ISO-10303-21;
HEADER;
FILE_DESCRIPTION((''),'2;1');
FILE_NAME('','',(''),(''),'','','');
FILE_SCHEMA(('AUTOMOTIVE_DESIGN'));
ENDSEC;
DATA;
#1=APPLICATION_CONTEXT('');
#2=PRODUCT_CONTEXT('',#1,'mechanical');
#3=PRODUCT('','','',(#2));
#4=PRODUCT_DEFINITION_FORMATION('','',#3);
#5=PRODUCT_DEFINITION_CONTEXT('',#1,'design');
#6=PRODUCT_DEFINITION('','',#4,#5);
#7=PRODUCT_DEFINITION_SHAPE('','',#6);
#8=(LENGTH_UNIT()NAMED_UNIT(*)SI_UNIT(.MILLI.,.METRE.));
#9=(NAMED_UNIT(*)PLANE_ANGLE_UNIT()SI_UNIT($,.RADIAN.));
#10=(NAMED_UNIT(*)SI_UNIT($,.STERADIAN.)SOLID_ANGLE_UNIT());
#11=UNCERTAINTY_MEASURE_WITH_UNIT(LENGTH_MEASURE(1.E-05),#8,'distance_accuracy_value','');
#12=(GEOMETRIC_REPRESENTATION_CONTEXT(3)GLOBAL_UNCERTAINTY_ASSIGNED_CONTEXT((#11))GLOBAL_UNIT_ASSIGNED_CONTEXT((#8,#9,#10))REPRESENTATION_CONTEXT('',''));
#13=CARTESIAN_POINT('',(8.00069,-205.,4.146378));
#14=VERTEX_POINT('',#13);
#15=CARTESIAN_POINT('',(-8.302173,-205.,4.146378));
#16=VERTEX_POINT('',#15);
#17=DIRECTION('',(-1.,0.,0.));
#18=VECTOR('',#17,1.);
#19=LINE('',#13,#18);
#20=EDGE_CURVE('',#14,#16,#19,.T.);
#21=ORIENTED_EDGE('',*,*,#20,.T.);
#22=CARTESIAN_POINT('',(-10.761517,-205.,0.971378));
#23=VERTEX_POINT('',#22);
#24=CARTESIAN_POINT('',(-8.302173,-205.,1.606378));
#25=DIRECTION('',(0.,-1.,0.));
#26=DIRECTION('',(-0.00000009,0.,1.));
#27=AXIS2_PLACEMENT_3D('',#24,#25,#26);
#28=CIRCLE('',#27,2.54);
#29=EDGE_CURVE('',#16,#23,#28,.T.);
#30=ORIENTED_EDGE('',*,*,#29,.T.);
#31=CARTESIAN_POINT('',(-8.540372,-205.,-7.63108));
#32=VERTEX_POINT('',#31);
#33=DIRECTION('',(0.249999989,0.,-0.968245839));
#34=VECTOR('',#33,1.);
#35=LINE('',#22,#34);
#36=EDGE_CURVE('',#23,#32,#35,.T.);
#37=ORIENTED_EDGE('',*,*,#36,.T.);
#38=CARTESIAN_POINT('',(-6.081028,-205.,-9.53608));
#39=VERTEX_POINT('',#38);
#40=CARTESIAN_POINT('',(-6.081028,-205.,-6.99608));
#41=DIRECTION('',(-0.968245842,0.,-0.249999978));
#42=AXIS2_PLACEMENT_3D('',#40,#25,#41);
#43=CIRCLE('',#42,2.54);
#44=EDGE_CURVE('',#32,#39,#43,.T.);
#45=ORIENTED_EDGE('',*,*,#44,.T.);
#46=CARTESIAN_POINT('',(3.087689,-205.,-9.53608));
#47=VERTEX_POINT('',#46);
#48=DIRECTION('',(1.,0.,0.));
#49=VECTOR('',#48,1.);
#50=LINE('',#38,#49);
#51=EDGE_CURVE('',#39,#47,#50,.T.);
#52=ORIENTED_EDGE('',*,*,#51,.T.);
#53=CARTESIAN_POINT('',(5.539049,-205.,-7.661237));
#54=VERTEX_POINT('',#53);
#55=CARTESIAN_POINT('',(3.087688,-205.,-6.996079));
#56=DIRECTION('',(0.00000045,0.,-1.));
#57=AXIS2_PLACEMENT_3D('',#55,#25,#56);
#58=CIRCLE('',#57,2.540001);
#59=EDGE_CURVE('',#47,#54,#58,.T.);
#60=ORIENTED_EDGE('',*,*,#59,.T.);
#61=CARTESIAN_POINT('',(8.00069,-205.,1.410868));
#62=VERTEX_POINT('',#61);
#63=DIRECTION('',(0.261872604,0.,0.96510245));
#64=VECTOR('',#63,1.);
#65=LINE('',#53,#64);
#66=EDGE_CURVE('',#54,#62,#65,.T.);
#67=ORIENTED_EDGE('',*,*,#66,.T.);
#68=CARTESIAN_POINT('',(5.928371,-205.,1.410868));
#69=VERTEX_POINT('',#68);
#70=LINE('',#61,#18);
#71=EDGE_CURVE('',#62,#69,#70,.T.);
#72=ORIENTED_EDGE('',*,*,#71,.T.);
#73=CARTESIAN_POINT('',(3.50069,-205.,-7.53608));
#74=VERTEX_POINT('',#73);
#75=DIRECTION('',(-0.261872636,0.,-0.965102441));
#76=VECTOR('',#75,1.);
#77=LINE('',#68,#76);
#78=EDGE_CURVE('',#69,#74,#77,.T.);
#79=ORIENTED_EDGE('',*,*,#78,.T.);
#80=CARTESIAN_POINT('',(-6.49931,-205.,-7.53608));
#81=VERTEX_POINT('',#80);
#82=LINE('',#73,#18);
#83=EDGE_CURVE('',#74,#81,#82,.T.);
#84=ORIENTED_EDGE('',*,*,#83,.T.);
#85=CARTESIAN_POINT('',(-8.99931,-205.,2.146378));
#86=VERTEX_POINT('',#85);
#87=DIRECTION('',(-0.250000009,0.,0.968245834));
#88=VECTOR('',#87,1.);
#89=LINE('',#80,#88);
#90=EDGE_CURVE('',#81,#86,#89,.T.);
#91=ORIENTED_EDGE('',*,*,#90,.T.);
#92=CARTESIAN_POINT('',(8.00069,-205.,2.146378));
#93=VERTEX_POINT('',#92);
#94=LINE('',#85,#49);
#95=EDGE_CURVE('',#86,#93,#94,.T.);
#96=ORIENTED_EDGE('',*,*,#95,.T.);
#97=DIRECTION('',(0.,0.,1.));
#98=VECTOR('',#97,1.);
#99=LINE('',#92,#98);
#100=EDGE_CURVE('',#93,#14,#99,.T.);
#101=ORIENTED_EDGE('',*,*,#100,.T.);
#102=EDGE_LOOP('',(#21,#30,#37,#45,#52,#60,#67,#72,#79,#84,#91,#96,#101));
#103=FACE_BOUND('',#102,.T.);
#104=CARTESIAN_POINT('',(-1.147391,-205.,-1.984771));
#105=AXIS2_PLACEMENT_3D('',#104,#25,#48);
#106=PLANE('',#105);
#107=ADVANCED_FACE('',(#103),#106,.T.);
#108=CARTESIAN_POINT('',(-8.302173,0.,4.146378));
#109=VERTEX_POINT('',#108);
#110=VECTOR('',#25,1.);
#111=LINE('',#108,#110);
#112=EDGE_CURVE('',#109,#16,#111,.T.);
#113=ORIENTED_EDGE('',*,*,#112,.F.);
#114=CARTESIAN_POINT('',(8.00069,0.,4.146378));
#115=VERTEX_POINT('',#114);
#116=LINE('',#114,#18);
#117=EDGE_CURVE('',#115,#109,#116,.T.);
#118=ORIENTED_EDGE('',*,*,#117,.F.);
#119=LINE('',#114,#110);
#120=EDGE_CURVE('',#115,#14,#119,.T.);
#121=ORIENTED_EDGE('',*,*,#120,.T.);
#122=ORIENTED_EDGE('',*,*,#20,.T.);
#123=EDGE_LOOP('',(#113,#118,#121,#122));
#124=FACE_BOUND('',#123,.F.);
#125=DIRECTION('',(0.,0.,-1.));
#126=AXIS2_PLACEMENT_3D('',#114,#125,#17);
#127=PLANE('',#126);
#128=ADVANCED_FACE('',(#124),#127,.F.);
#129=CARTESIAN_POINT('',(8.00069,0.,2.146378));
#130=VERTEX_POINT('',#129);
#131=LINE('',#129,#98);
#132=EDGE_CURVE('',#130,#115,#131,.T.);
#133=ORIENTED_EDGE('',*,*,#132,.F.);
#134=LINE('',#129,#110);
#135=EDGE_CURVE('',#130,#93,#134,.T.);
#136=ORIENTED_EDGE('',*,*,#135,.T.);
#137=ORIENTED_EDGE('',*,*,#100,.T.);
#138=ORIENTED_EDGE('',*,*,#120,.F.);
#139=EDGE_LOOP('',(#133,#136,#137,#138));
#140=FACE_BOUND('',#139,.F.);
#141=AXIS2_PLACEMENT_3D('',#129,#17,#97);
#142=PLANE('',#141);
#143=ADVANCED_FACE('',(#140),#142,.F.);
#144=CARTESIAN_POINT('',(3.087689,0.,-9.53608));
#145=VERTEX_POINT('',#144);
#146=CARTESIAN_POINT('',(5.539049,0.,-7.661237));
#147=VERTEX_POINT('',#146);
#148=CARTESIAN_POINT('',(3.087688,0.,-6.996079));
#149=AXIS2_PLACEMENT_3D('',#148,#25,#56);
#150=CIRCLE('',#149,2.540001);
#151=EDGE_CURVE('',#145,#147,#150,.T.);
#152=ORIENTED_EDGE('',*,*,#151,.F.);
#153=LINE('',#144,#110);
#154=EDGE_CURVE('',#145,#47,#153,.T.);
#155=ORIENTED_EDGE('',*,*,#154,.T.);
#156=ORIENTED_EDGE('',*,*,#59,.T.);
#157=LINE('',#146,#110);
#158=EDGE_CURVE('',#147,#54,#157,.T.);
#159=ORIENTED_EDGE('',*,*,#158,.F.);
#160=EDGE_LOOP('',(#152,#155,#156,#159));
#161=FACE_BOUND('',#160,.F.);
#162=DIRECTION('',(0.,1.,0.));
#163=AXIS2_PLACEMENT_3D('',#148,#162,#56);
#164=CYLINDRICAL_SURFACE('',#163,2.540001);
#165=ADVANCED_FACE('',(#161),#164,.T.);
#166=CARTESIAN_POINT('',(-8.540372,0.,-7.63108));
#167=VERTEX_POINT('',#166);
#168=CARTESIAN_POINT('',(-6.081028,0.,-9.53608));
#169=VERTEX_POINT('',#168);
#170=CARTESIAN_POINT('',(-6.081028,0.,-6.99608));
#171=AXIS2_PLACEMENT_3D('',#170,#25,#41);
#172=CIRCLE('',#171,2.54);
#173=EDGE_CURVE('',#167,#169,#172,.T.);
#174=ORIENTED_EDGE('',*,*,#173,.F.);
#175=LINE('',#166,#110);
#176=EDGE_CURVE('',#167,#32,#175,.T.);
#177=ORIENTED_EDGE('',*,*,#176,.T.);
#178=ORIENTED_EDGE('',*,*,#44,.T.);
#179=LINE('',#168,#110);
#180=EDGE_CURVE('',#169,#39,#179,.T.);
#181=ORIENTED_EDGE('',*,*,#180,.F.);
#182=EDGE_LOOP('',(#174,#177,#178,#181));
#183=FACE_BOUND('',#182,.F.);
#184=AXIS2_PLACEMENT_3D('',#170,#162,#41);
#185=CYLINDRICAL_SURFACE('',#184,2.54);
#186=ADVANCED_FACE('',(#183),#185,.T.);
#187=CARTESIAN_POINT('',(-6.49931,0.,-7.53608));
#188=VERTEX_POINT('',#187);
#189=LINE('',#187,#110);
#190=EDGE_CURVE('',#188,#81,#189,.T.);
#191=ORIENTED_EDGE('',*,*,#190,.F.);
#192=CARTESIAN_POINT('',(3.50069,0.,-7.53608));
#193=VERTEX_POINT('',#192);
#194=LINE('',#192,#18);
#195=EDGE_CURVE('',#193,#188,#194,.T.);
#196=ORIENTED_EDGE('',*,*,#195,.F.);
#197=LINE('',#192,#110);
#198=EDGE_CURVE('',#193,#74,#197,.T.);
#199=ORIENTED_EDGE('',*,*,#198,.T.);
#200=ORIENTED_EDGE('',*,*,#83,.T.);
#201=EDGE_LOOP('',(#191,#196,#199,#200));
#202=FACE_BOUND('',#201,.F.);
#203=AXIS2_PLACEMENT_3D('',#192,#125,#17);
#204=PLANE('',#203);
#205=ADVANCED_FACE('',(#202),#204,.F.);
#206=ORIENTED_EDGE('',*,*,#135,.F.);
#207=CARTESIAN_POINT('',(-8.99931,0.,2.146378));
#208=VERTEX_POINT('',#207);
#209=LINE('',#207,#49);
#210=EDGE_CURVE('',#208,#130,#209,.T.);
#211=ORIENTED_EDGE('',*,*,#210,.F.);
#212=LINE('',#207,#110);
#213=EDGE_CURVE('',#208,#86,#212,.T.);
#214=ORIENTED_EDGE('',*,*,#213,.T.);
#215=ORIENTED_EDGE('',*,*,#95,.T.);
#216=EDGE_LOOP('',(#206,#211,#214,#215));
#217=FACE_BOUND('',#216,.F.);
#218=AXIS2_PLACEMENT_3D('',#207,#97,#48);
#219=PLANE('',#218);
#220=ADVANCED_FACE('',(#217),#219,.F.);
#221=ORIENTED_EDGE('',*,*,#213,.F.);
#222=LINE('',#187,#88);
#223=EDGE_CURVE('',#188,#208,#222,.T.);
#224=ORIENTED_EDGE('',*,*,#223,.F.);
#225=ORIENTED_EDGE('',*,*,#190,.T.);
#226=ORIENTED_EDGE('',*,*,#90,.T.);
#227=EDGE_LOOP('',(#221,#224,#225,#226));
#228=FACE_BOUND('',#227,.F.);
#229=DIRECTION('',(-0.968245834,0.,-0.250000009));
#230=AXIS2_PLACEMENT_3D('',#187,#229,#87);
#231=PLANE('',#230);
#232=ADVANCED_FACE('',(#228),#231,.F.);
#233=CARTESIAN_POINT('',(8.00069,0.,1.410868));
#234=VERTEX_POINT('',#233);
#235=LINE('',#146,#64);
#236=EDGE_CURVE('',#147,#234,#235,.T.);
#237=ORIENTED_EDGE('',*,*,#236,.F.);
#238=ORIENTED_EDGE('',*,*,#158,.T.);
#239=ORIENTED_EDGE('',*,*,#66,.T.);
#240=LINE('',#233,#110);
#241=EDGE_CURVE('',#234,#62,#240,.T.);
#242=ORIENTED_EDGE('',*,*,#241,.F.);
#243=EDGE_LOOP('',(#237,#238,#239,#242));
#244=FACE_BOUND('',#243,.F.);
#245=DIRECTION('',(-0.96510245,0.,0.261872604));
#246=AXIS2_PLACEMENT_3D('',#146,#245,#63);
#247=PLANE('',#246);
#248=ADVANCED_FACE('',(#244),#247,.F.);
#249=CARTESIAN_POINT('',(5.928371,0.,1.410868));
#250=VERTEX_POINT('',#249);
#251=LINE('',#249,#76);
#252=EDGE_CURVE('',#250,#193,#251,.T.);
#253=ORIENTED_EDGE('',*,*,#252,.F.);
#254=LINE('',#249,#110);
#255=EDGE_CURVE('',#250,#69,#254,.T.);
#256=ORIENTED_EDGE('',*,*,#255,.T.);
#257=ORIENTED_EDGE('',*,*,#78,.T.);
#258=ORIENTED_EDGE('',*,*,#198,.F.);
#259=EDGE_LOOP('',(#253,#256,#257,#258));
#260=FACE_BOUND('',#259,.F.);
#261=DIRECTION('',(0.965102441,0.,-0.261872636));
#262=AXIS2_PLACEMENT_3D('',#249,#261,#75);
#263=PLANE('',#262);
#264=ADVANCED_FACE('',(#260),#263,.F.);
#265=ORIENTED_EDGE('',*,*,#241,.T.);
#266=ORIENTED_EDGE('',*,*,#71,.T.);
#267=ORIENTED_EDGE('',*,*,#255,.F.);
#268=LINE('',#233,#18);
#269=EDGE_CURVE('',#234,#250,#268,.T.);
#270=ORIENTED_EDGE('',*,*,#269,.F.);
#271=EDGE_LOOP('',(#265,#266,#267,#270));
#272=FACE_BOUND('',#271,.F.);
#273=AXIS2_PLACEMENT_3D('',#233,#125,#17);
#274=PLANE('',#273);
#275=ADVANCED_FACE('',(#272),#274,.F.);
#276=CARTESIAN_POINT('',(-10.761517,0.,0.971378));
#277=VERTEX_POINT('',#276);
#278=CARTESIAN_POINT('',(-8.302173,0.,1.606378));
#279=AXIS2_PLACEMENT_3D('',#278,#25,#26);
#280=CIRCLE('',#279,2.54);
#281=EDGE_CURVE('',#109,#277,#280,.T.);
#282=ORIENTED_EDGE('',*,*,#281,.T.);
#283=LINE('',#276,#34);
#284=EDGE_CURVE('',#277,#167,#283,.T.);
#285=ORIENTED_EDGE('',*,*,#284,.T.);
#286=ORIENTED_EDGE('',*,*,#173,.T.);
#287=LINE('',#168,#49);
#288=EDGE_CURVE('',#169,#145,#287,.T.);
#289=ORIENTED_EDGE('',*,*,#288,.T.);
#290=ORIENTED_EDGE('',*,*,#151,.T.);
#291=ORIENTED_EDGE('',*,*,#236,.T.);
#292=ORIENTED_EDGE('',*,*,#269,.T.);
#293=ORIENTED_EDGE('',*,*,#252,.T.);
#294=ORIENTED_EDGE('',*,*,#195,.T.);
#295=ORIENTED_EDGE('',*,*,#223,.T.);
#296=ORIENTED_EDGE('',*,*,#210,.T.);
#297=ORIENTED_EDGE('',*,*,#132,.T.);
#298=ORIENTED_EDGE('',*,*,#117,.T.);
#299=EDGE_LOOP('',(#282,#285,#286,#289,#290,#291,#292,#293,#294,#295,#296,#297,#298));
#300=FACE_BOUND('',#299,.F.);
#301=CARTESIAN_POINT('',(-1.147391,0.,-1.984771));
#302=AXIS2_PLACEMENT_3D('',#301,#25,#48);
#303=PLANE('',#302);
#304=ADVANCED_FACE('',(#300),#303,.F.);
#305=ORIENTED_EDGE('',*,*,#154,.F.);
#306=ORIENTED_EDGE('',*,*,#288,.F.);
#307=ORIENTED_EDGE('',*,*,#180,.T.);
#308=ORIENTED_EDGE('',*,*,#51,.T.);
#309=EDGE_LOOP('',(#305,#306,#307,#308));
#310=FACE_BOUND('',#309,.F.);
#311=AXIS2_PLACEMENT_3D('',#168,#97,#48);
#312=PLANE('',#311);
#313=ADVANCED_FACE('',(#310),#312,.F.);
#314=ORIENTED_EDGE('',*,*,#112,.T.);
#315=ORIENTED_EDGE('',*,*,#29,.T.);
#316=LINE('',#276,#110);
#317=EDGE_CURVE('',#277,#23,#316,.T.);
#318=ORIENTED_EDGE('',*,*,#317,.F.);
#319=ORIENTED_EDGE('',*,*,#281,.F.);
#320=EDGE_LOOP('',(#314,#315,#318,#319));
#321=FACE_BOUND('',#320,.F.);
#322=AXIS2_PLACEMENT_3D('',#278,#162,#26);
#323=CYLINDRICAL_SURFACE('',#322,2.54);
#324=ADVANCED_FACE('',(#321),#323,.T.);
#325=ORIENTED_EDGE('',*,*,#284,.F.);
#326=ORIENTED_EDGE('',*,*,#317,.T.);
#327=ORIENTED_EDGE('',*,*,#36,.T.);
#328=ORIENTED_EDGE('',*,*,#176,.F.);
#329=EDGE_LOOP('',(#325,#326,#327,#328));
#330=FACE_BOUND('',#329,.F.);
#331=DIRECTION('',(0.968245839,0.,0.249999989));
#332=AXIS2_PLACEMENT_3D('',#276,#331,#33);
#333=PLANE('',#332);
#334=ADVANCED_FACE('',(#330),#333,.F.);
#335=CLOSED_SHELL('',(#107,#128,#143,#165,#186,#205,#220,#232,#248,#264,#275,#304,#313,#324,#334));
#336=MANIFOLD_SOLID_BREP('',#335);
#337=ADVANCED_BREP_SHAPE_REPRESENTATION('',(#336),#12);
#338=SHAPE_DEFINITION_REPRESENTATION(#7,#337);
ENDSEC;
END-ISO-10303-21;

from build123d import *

# Parameters (mm, degrees)
F1_DEPTH = 205


with BuildPart() as f1:
    # F0 (on Front) → F1 (new body)
    with BuildSketch(Plane.XZ):
        with BuildLine():
            Line((3.50069, -7.53608), (-6.49931, -7.53608))
            Line((-6.49931, -7.53608), (-8.99931, 2.146378))
            Line((-8.99931, 2.146378), (8.00069, 2.146378))
            Line((8.00069, 2.146378), (8.00069, 4.146378))
            Line((8.00069, 4.146378), (-8.302173, 4.146378))
            ThreePointArc((-8.302173, 4.146378), (-10.310219, 3.161804), (-10.761517, 0.971378))
            Line((-10.761517, 0.971378), (-8.540372, -7.63108))
            ThreePointArc((-8.540372, -7.63108), (-7.636454, -9.004126), (-6.081028, -9.53608))
            Line((-6.081028, -9.53608), (3.087689, -9.53608))
            ThreePointArc((3.087689, -9.53608), (4.630754, -9.01364), (5.539049, -7.661237))
            Line((5.539049, -7.661237), (8.00069, 1.410868))
            Line((8.00069, 1.410868), (5.928371, 1.410868))
            Line((5.928371, 1.410868), (3.50069, -7.53608))
        make_face()
    extrude(amount=F1_DEPTH)


solid = f1.part
